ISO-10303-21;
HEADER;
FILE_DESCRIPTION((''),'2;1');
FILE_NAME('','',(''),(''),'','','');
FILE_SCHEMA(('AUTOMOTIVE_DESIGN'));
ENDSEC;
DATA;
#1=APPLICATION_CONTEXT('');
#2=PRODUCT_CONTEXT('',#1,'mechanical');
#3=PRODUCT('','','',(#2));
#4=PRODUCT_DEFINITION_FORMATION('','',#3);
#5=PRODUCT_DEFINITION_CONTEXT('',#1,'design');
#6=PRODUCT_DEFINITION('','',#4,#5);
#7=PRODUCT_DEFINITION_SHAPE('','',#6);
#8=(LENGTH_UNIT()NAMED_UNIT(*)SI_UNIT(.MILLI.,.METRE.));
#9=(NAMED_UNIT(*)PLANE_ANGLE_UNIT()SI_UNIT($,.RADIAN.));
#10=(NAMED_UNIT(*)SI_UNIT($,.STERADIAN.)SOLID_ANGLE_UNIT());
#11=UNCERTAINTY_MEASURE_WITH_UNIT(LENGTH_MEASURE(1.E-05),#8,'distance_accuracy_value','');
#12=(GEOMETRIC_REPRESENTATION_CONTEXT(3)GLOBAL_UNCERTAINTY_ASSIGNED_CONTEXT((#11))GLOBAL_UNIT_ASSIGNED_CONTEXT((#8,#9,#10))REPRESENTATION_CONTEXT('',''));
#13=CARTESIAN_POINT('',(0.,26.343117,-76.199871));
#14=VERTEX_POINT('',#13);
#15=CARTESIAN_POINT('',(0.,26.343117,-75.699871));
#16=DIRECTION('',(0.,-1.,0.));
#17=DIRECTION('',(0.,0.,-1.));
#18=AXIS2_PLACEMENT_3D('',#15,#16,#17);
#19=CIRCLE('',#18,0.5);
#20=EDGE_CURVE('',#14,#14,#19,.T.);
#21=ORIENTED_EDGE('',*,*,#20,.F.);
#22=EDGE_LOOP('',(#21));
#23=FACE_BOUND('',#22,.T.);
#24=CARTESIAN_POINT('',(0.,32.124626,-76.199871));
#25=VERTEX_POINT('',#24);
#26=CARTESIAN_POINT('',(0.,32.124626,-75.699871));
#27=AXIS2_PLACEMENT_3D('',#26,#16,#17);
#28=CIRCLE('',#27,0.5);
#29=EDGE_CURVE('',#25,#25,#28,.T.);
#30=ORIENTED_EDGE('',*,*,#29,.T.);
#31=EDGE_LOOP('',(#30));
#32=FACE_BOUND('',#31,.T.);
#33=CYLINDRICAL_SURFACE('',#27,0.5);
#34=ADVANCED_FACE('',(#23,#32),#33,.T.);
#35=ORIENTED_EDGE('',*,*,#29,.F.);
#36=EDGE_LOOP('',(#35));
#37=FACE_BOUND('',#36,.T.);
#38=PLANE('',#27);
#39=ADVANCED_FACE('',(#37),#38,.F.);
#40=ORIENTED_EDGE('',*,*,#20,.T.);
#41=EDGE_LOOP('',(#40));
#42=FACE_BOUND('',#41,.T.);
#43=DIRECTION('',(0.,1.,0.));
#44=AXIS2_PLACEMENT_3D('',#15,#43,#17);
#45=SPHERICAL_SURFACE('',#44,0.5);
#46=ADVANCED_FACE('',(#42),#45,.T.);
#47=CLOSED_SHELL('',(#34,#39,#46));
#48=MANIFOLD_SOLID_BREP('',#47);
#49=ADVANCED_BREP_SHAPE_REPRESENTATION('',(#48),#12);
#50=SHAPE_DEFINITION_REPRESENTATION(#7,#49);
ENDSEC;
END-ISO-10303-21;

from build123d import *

# Parameters (mm, degrees)
SWEEP1_PROFILE_R = 0.5


with BuildPart() as part:
    # Sweep1: sweep along a path in Sketch1
    with BuildLine(Plane(origin=(0, 0, 0), x_dir=(0, 0, -1), z_dir=(1, 0, 0))) as sweep1_path:
        Line((75.699870549, 32.124625667), (75.699870549, 26.343116542))
    # Sweep1 profile (on start of the path) → Sweep1 (sweep)
    with BuildSketch(Plane(origin=(0, 32.124625667, -75.699870549), x_dir=(0, 0, -1), z_dir=(0, -1, 0))):
        Circle(SWEEP1_PROFILE_R)
    sweep(path=sweep1_path.line)

    # Sketch14 → Revolve4 (revolve)
    with BuildSketch(Plane(origin=(0, 0, 0), x_dir=(0, 0, -1), z_dir=(1, 0, 0))):
        with BuildLine():
            Line((75.699870549, 26.843116542), (75.699870549, 25.843116542))
            ThreePointArc((75.699870549, 25.843116542), (75.199870549, 26.343116542), (75.699870549, 26.843116542))
        make_face()
    revolve(axis=Axis((0, 26.843116542, -75.699870549), (0, -1, 0)))


solid = part.part
